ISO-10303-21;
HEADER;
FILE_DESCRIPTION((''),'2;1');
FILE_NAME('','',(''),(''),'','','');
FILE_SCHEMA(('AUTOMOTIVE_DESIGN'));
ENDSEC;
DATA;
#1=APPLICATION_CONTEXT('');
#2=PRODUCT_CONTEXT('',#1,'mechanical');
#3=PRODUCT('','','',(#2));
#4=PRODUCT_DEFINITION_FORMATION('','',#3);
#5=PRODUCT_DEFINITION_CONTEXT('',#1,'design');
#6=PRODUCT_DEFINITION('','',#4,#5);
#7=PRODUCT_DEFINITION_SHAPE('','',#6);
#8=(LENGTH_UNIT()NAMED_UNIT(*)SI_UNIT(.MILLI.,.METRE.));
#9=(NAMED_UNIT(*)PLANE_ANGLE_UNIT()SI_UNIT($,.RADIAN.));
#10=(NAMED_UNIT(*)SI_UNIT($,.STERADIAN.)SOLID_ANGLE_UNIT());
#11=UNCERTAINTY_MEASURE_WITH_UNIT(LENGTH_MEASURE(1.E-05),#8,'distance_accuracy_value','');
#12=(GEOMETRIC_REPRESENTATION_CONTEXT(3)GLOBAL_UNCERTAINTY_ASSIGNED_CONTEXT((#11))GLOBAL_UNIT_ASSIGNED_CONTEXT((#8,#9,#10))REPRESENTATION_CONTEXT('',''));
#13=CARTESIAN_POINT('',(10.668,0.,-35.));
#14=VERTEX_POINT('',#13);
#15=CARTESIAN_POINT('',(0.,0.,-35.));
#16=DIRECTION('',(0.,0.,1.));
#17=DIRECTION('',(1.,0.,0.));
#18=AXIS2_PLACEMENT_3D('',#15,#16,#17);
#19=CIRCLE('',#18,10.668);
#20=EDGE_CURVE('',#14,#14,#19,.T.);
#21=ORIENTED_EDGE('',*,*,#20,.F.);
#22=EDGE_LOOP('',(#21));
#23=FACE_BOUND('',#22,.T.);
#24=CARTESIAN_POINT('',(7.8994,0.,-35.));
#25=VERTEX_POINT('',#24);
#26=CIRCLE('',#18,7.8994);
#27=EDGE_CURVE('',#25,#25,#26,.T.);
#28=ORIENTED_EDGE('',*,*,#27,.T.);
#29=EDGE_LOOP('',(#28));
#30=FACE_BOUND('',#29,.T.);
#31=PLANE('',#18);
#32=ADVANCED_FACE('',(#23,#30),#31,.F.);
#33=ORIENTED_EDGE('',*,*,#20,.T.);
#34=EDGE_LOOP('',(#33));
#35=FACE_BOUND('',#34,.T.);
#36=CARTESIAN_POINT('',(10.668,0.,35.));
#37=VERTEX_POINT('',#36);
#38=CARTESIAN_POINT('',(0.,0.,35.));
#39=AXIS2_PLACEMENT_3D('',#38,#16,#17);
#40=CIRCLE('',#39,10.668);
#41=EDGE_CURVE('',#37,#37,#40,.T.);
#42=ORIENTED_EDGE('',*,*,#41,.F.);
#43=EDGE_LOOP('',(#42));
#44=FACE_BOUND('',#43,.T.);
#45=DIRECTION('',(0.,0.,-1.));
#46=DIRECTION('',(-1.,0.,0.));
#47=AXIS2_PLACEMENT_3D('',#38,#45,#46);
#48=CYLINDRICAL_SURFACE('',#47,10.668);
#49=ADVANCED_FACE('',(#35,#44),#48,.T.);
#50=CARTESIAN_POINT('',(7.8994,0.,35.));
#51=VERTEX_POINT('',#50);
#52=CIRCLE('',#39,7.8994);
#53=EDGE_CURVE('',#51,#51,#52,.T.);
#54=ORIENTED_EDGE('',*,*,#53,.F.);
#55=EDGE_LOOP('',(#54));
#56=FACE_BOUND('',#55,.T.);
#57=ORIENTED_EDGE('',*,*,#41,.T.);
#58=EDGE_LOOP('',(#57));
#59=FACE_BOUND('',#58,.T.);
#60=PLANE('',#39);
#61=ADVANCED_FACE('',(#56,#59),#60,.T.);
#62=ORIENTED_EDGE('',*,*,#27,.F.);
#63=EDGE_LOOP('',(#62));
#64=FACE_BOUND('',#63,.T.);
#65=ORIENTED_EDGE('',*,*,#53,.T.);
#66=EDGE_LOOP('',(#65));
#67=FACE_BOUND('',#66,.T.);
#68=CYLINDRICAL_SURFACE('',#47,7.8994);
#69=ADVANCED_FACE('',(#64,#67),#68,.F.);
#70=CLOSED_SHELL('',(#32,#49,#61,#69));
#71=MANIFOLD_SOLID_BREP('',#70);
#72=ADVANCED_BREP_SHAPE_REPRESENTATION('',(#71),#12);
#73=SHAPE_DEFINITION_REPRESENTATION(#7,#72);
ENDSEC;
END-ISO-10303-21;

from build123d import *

# Parameters (mm, degrees)
SKETCH1_R           = 10.668
SKETCH1_R_2         = 7.8994
EXTRUDE_THIN1_DEPTH = 35


with BuildPart() as part:
    # Sketch1 → Extrude-Thin1 (new body, symmetric)
    with BuildSketch(Plane.XY):
        Circle(SKETCH1_R)
        Circle(SKETCH1_R_2, mode=Mode.SUBTRACT)
    extrude(amount=EXTRUDE_THIN1_DEPTH, both=True)


solid = part.part
